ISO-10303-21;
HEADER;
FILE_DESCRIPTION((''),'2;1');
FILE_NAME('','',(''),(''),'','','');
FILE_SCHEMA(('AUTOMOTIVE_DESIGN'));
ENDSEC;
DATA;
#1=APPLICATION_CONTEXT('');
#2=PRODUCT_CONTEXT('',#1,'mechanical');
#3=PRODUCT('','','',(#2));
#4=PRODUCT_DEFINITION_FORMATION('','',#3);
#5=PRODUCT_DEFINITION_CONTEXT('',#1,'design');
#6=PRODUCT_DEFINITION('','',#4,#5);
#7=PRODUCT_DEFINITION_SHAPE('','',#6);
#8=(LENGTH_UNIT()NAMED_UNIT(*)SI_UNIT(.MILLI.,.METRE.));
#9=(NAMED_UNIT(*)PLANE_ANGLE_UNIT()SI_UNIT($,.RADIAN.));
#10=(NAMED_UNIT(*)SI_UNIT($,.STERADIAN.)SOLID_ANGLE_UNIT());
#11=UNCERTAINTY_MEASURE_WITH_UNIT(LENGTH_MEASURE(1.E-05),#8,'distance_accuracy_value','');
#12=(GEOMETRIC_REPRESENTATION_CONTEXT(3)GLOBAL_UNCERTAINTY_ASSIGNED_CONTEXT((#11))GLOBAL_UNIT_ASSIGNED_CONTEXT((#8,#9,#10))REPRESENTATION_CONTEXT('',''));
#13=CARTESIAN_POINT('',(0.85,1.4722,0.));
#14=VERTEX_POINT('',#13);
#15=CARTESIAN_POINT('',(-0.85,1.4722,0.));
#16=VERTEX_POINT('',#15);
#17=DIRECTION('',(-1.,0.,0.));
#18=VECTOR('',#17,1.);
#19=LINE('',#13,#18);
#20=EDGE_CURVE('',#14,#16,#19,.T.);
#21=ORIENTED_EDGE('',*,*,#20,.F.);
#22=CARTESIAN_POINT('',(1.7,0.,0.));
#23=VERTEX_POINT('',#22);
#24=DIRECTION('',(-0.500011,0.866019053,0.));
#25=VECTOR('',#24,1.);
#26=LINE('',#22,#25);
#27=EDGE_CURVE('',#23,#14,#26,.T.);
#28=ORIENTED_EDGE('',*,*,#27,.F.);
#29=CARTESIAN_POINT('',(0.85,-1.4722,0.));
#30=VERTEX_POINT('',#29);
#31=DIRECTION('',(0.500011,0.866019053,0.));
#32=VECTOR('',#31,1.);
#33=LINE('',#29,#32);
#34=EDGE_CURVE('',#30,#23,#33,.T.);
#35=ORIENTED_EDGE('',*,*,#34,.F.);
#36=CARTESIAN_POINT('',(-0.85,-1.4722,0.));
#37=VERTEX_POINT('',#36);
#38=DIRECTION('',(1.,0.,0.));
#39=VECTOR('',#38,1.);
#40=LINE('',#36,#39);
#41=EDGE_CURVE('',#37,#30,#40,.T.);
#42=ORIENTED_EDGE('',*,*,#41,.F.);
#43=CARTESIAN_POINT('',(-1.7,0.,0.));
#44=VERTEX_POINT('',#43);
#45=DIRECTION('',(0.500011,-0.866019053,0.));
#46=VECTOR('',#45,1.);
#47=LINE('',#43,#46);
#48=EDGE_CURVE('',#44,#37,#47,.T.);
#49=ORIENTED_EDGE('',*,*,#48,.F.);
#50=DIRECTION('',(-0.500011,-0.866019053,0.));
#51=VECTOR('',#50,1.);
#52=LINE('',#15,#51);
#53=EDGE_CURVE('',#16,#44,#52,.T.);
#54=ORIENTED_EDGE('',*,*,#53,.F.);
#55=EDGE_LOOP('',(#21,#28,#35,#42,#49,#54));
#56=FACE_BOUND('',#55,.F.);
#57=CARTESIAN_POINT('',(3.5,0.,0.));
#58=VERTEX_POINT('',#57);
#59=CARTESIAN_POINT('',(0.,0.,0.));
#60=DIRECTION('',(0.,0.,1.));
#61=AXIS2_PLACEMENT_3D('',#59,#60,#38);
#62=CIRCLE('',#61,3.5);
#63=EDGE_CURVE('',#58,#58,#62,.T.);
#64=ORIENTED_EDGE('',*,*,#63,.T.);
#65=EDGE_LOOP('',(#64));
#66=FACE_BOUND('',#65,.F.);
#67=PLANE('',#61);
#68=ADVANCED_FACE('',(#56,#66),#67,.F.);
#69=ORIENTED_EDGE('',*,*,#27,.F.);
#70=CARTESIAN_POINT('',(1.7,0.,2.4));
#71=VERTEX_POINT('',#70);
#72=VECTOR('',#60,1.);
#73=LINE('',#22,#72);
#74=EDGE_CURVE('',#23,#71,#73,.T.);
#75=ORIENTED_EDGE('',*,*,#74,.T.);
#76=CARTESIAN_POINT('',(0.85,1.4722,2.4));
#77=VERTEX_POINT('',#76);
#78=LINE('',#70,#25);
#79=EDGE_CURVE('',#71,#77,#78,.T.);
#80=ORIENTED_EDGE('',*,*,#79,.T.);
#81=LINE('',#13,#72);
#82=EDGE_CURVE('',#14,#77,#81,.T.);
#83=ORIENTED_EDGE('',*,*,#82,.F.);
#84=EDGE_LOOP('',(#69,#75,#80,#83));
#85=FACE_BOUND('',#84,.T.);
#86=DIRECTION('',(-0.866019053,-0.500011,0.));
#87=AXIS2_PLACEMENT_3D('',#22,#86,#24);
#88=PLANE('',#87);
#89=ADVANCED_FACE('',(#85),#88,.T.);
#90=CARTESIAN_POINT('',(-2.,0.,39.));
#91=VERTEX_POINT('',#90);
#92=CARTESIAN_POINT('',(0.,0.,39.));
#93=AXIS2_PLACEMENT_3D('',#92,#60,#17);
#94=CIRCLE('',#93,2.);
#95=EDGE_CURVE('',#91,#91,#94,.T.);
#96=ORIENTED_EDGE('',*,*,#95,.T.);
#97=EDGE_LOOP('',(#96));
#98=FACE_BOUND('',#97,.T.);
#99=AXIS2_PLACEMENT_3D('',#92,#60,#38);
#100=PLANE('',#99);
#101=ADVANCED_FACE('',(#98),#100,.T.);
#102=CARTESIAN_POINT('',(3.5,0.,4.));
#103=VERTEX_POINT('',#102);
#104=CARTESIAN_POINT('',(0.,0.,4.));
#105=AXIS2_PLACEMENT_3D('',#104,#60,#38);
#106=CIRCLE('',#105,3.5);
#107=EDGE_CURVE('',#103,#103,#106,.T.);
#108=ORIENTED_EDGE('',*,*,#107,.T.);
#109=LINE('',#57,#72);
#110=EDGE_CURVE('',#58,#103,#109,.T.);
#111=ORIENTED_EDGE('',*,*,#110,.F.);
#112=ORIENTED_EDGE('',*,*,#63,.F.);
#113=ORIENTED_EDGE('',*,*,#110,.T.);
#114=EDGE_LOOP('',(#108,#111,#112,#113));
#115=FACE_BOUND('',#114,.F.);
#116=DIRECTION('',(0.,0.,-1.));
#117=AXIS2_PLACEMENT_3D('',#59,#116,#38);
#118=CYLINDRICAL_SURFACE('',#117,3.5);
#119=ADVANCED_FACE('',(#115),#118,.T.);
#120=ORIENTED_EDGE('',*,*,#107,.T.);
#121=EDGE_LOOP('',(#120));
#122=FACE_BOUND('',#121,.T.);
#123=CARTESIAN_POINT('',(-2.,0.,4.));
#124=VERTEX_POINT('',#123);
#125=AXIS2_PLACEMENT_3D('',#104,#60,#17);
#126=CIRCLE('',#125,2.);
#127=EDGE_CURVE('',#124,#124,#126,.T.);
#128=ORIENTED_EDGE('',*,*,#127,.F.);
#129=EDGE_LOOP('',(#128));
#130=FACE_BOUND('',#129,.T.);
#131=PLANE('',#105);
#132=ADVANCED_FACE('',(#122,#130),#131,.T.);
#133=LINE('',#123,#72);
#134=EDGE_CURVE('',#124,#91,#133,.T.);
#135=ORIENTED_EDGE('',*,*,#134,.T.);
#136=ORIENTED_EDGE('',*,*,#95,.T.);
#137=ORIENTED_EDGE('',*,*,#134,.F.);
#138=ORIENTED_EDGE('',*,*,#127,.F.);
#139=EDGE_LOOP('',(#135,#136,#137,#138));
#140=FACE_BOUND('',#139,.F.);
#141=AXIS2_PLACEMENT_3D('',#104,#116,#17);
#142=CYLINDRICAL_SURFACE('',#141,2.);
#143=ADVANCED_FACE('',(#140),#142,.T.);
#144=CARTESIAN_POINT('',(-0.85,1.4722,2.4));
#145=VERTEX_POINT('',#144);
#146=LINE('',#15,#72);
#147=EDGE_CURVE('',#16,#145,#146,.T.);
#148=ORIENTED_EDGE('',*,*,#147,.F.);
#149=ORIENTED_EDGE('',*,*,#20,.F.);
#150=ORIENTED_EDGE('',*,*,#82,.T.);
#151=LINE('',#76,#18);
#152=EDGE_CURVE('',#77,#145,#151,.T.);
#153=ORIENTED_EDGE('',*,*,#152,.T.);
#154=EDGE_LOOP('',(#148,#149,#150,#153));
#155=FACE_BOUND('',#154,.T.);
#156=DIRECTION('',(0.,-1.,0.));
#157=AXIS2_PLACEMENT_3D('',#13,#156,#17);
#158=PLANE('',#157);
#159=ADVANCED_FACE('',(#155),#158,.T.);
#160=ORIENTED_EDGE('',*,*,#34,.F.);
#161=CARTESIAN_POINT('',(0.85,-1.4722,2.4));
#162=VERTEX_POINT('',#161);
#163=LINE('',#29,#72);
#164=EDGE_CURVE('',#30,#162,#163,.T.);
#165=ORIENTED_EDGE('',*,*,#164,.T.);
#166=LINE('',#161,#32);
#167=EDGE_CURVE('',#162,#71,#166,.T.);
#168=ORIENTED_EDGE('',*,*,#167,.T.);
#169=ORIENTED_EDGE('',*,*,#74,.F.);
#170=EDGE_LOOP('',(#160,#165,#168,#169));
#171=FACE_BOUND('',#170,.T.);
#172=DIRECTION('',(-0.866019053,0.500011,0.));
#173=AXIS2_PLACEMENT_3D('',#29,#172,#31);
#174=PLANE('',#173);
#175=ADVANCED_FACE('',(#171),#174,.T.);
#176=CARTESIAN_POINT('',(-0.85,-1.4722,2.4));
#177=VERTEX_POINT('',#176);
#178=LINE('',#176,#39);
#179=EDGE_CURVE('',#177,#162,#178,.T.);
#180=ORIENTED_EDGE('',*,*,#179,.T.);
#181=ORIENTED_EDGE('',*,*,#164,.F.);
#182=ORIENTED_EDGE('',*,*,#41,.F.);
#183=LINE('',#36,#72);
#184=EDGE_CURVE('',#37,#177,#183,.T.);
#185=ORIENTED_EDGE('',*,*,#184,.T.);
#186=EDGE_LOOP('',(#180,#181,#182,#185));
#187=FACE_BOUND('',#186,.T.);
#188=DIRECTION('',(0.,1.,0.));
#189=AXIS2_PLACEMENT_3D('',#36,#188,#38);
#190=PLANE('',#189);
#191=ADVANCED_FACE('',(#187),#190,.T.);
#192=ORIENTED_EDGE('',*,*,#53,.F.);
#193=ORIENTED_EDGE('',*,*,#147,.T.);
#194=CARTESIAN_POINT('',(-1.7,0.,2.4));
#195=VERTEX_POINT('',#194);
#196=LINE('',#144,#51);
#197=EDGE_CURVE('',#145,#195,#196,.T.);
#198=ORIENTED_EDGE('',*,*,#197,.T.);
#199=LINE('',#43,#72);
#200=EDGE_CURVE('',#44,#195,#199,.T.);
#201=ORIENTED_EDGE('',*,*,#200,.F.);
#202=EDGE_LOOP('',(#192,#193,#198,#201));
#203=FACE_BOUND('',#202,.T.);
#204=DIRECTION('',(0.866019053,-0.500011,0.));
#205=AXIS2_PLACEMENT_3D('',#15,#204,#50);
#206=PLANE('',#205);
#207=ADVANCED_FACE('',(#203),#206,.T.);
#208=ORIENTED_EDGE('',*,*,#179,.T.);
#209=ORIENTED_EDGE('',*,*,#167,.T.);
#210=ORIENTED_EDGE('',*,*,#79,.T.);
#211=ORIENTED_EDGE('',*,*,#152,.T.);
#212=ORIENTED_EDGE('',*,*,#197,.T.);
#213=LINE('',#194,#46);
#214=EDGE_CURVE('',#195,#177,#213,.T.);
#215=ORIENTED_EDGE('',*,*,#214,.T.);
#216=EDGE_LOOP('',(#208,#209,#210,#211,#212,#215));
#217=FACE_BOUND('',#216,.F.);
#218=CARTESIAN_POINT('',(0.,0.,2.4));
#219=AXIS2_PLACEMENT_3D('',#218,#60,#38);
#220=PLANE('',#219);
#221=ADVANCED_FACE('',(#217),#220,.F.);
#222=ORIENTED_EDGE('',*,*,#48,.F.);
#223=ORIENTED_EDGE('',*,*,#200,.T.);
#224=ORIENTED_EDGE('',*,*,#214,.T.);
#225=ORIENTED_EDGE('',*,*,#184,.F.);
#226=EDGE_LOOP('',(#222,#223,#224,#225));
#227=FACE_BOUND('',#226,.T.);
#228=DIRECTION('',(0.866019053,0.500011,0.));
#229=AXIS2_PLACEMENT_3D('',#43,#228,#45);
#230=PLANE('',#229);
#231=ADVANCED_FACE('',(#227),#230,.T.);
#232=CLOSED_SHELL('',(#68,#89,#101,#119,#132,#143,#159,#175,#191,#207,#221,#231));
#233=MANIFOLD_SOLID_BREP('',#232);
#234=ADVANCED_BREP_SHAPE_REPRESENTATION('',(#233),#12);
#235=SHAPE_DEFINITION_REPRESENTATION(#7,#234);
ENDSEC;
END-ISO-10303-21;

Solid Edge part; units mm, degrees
sketch "Sketch1" plane through (0, 0, 0) normal (0, 0, 1) x (1, 0, 0)
  circle A0 centre (0, 0) radius 3.5
extrude "Protrusion1" add sketch "Sketch1" along normal blind 4
sketch "Sketch2" plane through (0, 0, 0) normal (0, 0, -1) x (1, 0, 0)
  line L0 (0.85, 1.4722) -> (1.7, 0)
  line L1 (1.7, 0) -> (0.85, -1.4722)
  line L2 (0.85, -1.4722) -> (-0.85, -1.4722)
  line L3 (-0.85, -1.4722) -> (-1.7, 0)
  line L4 (-1.7, 0) -> (-0.85, 1.4722)
  line L5 (-0.85, 1.4722) -> (0.85, 1.4722)
extrude "ExtrudedCutout_1" cut sketch "Sketch2" against normal blind 2.4
sketch "Sketch3" plane through (0, 0, 4) normal (0, 0, 1) x (-1, 0, 0)
  circle A0 centre (0, 0) radius 2
extrude "ExtrudedProtrusion_2" add sketch "Sketch3" along normal blind 35
cosmetic_thread "Thread_2" size "M4" thread depth 20
